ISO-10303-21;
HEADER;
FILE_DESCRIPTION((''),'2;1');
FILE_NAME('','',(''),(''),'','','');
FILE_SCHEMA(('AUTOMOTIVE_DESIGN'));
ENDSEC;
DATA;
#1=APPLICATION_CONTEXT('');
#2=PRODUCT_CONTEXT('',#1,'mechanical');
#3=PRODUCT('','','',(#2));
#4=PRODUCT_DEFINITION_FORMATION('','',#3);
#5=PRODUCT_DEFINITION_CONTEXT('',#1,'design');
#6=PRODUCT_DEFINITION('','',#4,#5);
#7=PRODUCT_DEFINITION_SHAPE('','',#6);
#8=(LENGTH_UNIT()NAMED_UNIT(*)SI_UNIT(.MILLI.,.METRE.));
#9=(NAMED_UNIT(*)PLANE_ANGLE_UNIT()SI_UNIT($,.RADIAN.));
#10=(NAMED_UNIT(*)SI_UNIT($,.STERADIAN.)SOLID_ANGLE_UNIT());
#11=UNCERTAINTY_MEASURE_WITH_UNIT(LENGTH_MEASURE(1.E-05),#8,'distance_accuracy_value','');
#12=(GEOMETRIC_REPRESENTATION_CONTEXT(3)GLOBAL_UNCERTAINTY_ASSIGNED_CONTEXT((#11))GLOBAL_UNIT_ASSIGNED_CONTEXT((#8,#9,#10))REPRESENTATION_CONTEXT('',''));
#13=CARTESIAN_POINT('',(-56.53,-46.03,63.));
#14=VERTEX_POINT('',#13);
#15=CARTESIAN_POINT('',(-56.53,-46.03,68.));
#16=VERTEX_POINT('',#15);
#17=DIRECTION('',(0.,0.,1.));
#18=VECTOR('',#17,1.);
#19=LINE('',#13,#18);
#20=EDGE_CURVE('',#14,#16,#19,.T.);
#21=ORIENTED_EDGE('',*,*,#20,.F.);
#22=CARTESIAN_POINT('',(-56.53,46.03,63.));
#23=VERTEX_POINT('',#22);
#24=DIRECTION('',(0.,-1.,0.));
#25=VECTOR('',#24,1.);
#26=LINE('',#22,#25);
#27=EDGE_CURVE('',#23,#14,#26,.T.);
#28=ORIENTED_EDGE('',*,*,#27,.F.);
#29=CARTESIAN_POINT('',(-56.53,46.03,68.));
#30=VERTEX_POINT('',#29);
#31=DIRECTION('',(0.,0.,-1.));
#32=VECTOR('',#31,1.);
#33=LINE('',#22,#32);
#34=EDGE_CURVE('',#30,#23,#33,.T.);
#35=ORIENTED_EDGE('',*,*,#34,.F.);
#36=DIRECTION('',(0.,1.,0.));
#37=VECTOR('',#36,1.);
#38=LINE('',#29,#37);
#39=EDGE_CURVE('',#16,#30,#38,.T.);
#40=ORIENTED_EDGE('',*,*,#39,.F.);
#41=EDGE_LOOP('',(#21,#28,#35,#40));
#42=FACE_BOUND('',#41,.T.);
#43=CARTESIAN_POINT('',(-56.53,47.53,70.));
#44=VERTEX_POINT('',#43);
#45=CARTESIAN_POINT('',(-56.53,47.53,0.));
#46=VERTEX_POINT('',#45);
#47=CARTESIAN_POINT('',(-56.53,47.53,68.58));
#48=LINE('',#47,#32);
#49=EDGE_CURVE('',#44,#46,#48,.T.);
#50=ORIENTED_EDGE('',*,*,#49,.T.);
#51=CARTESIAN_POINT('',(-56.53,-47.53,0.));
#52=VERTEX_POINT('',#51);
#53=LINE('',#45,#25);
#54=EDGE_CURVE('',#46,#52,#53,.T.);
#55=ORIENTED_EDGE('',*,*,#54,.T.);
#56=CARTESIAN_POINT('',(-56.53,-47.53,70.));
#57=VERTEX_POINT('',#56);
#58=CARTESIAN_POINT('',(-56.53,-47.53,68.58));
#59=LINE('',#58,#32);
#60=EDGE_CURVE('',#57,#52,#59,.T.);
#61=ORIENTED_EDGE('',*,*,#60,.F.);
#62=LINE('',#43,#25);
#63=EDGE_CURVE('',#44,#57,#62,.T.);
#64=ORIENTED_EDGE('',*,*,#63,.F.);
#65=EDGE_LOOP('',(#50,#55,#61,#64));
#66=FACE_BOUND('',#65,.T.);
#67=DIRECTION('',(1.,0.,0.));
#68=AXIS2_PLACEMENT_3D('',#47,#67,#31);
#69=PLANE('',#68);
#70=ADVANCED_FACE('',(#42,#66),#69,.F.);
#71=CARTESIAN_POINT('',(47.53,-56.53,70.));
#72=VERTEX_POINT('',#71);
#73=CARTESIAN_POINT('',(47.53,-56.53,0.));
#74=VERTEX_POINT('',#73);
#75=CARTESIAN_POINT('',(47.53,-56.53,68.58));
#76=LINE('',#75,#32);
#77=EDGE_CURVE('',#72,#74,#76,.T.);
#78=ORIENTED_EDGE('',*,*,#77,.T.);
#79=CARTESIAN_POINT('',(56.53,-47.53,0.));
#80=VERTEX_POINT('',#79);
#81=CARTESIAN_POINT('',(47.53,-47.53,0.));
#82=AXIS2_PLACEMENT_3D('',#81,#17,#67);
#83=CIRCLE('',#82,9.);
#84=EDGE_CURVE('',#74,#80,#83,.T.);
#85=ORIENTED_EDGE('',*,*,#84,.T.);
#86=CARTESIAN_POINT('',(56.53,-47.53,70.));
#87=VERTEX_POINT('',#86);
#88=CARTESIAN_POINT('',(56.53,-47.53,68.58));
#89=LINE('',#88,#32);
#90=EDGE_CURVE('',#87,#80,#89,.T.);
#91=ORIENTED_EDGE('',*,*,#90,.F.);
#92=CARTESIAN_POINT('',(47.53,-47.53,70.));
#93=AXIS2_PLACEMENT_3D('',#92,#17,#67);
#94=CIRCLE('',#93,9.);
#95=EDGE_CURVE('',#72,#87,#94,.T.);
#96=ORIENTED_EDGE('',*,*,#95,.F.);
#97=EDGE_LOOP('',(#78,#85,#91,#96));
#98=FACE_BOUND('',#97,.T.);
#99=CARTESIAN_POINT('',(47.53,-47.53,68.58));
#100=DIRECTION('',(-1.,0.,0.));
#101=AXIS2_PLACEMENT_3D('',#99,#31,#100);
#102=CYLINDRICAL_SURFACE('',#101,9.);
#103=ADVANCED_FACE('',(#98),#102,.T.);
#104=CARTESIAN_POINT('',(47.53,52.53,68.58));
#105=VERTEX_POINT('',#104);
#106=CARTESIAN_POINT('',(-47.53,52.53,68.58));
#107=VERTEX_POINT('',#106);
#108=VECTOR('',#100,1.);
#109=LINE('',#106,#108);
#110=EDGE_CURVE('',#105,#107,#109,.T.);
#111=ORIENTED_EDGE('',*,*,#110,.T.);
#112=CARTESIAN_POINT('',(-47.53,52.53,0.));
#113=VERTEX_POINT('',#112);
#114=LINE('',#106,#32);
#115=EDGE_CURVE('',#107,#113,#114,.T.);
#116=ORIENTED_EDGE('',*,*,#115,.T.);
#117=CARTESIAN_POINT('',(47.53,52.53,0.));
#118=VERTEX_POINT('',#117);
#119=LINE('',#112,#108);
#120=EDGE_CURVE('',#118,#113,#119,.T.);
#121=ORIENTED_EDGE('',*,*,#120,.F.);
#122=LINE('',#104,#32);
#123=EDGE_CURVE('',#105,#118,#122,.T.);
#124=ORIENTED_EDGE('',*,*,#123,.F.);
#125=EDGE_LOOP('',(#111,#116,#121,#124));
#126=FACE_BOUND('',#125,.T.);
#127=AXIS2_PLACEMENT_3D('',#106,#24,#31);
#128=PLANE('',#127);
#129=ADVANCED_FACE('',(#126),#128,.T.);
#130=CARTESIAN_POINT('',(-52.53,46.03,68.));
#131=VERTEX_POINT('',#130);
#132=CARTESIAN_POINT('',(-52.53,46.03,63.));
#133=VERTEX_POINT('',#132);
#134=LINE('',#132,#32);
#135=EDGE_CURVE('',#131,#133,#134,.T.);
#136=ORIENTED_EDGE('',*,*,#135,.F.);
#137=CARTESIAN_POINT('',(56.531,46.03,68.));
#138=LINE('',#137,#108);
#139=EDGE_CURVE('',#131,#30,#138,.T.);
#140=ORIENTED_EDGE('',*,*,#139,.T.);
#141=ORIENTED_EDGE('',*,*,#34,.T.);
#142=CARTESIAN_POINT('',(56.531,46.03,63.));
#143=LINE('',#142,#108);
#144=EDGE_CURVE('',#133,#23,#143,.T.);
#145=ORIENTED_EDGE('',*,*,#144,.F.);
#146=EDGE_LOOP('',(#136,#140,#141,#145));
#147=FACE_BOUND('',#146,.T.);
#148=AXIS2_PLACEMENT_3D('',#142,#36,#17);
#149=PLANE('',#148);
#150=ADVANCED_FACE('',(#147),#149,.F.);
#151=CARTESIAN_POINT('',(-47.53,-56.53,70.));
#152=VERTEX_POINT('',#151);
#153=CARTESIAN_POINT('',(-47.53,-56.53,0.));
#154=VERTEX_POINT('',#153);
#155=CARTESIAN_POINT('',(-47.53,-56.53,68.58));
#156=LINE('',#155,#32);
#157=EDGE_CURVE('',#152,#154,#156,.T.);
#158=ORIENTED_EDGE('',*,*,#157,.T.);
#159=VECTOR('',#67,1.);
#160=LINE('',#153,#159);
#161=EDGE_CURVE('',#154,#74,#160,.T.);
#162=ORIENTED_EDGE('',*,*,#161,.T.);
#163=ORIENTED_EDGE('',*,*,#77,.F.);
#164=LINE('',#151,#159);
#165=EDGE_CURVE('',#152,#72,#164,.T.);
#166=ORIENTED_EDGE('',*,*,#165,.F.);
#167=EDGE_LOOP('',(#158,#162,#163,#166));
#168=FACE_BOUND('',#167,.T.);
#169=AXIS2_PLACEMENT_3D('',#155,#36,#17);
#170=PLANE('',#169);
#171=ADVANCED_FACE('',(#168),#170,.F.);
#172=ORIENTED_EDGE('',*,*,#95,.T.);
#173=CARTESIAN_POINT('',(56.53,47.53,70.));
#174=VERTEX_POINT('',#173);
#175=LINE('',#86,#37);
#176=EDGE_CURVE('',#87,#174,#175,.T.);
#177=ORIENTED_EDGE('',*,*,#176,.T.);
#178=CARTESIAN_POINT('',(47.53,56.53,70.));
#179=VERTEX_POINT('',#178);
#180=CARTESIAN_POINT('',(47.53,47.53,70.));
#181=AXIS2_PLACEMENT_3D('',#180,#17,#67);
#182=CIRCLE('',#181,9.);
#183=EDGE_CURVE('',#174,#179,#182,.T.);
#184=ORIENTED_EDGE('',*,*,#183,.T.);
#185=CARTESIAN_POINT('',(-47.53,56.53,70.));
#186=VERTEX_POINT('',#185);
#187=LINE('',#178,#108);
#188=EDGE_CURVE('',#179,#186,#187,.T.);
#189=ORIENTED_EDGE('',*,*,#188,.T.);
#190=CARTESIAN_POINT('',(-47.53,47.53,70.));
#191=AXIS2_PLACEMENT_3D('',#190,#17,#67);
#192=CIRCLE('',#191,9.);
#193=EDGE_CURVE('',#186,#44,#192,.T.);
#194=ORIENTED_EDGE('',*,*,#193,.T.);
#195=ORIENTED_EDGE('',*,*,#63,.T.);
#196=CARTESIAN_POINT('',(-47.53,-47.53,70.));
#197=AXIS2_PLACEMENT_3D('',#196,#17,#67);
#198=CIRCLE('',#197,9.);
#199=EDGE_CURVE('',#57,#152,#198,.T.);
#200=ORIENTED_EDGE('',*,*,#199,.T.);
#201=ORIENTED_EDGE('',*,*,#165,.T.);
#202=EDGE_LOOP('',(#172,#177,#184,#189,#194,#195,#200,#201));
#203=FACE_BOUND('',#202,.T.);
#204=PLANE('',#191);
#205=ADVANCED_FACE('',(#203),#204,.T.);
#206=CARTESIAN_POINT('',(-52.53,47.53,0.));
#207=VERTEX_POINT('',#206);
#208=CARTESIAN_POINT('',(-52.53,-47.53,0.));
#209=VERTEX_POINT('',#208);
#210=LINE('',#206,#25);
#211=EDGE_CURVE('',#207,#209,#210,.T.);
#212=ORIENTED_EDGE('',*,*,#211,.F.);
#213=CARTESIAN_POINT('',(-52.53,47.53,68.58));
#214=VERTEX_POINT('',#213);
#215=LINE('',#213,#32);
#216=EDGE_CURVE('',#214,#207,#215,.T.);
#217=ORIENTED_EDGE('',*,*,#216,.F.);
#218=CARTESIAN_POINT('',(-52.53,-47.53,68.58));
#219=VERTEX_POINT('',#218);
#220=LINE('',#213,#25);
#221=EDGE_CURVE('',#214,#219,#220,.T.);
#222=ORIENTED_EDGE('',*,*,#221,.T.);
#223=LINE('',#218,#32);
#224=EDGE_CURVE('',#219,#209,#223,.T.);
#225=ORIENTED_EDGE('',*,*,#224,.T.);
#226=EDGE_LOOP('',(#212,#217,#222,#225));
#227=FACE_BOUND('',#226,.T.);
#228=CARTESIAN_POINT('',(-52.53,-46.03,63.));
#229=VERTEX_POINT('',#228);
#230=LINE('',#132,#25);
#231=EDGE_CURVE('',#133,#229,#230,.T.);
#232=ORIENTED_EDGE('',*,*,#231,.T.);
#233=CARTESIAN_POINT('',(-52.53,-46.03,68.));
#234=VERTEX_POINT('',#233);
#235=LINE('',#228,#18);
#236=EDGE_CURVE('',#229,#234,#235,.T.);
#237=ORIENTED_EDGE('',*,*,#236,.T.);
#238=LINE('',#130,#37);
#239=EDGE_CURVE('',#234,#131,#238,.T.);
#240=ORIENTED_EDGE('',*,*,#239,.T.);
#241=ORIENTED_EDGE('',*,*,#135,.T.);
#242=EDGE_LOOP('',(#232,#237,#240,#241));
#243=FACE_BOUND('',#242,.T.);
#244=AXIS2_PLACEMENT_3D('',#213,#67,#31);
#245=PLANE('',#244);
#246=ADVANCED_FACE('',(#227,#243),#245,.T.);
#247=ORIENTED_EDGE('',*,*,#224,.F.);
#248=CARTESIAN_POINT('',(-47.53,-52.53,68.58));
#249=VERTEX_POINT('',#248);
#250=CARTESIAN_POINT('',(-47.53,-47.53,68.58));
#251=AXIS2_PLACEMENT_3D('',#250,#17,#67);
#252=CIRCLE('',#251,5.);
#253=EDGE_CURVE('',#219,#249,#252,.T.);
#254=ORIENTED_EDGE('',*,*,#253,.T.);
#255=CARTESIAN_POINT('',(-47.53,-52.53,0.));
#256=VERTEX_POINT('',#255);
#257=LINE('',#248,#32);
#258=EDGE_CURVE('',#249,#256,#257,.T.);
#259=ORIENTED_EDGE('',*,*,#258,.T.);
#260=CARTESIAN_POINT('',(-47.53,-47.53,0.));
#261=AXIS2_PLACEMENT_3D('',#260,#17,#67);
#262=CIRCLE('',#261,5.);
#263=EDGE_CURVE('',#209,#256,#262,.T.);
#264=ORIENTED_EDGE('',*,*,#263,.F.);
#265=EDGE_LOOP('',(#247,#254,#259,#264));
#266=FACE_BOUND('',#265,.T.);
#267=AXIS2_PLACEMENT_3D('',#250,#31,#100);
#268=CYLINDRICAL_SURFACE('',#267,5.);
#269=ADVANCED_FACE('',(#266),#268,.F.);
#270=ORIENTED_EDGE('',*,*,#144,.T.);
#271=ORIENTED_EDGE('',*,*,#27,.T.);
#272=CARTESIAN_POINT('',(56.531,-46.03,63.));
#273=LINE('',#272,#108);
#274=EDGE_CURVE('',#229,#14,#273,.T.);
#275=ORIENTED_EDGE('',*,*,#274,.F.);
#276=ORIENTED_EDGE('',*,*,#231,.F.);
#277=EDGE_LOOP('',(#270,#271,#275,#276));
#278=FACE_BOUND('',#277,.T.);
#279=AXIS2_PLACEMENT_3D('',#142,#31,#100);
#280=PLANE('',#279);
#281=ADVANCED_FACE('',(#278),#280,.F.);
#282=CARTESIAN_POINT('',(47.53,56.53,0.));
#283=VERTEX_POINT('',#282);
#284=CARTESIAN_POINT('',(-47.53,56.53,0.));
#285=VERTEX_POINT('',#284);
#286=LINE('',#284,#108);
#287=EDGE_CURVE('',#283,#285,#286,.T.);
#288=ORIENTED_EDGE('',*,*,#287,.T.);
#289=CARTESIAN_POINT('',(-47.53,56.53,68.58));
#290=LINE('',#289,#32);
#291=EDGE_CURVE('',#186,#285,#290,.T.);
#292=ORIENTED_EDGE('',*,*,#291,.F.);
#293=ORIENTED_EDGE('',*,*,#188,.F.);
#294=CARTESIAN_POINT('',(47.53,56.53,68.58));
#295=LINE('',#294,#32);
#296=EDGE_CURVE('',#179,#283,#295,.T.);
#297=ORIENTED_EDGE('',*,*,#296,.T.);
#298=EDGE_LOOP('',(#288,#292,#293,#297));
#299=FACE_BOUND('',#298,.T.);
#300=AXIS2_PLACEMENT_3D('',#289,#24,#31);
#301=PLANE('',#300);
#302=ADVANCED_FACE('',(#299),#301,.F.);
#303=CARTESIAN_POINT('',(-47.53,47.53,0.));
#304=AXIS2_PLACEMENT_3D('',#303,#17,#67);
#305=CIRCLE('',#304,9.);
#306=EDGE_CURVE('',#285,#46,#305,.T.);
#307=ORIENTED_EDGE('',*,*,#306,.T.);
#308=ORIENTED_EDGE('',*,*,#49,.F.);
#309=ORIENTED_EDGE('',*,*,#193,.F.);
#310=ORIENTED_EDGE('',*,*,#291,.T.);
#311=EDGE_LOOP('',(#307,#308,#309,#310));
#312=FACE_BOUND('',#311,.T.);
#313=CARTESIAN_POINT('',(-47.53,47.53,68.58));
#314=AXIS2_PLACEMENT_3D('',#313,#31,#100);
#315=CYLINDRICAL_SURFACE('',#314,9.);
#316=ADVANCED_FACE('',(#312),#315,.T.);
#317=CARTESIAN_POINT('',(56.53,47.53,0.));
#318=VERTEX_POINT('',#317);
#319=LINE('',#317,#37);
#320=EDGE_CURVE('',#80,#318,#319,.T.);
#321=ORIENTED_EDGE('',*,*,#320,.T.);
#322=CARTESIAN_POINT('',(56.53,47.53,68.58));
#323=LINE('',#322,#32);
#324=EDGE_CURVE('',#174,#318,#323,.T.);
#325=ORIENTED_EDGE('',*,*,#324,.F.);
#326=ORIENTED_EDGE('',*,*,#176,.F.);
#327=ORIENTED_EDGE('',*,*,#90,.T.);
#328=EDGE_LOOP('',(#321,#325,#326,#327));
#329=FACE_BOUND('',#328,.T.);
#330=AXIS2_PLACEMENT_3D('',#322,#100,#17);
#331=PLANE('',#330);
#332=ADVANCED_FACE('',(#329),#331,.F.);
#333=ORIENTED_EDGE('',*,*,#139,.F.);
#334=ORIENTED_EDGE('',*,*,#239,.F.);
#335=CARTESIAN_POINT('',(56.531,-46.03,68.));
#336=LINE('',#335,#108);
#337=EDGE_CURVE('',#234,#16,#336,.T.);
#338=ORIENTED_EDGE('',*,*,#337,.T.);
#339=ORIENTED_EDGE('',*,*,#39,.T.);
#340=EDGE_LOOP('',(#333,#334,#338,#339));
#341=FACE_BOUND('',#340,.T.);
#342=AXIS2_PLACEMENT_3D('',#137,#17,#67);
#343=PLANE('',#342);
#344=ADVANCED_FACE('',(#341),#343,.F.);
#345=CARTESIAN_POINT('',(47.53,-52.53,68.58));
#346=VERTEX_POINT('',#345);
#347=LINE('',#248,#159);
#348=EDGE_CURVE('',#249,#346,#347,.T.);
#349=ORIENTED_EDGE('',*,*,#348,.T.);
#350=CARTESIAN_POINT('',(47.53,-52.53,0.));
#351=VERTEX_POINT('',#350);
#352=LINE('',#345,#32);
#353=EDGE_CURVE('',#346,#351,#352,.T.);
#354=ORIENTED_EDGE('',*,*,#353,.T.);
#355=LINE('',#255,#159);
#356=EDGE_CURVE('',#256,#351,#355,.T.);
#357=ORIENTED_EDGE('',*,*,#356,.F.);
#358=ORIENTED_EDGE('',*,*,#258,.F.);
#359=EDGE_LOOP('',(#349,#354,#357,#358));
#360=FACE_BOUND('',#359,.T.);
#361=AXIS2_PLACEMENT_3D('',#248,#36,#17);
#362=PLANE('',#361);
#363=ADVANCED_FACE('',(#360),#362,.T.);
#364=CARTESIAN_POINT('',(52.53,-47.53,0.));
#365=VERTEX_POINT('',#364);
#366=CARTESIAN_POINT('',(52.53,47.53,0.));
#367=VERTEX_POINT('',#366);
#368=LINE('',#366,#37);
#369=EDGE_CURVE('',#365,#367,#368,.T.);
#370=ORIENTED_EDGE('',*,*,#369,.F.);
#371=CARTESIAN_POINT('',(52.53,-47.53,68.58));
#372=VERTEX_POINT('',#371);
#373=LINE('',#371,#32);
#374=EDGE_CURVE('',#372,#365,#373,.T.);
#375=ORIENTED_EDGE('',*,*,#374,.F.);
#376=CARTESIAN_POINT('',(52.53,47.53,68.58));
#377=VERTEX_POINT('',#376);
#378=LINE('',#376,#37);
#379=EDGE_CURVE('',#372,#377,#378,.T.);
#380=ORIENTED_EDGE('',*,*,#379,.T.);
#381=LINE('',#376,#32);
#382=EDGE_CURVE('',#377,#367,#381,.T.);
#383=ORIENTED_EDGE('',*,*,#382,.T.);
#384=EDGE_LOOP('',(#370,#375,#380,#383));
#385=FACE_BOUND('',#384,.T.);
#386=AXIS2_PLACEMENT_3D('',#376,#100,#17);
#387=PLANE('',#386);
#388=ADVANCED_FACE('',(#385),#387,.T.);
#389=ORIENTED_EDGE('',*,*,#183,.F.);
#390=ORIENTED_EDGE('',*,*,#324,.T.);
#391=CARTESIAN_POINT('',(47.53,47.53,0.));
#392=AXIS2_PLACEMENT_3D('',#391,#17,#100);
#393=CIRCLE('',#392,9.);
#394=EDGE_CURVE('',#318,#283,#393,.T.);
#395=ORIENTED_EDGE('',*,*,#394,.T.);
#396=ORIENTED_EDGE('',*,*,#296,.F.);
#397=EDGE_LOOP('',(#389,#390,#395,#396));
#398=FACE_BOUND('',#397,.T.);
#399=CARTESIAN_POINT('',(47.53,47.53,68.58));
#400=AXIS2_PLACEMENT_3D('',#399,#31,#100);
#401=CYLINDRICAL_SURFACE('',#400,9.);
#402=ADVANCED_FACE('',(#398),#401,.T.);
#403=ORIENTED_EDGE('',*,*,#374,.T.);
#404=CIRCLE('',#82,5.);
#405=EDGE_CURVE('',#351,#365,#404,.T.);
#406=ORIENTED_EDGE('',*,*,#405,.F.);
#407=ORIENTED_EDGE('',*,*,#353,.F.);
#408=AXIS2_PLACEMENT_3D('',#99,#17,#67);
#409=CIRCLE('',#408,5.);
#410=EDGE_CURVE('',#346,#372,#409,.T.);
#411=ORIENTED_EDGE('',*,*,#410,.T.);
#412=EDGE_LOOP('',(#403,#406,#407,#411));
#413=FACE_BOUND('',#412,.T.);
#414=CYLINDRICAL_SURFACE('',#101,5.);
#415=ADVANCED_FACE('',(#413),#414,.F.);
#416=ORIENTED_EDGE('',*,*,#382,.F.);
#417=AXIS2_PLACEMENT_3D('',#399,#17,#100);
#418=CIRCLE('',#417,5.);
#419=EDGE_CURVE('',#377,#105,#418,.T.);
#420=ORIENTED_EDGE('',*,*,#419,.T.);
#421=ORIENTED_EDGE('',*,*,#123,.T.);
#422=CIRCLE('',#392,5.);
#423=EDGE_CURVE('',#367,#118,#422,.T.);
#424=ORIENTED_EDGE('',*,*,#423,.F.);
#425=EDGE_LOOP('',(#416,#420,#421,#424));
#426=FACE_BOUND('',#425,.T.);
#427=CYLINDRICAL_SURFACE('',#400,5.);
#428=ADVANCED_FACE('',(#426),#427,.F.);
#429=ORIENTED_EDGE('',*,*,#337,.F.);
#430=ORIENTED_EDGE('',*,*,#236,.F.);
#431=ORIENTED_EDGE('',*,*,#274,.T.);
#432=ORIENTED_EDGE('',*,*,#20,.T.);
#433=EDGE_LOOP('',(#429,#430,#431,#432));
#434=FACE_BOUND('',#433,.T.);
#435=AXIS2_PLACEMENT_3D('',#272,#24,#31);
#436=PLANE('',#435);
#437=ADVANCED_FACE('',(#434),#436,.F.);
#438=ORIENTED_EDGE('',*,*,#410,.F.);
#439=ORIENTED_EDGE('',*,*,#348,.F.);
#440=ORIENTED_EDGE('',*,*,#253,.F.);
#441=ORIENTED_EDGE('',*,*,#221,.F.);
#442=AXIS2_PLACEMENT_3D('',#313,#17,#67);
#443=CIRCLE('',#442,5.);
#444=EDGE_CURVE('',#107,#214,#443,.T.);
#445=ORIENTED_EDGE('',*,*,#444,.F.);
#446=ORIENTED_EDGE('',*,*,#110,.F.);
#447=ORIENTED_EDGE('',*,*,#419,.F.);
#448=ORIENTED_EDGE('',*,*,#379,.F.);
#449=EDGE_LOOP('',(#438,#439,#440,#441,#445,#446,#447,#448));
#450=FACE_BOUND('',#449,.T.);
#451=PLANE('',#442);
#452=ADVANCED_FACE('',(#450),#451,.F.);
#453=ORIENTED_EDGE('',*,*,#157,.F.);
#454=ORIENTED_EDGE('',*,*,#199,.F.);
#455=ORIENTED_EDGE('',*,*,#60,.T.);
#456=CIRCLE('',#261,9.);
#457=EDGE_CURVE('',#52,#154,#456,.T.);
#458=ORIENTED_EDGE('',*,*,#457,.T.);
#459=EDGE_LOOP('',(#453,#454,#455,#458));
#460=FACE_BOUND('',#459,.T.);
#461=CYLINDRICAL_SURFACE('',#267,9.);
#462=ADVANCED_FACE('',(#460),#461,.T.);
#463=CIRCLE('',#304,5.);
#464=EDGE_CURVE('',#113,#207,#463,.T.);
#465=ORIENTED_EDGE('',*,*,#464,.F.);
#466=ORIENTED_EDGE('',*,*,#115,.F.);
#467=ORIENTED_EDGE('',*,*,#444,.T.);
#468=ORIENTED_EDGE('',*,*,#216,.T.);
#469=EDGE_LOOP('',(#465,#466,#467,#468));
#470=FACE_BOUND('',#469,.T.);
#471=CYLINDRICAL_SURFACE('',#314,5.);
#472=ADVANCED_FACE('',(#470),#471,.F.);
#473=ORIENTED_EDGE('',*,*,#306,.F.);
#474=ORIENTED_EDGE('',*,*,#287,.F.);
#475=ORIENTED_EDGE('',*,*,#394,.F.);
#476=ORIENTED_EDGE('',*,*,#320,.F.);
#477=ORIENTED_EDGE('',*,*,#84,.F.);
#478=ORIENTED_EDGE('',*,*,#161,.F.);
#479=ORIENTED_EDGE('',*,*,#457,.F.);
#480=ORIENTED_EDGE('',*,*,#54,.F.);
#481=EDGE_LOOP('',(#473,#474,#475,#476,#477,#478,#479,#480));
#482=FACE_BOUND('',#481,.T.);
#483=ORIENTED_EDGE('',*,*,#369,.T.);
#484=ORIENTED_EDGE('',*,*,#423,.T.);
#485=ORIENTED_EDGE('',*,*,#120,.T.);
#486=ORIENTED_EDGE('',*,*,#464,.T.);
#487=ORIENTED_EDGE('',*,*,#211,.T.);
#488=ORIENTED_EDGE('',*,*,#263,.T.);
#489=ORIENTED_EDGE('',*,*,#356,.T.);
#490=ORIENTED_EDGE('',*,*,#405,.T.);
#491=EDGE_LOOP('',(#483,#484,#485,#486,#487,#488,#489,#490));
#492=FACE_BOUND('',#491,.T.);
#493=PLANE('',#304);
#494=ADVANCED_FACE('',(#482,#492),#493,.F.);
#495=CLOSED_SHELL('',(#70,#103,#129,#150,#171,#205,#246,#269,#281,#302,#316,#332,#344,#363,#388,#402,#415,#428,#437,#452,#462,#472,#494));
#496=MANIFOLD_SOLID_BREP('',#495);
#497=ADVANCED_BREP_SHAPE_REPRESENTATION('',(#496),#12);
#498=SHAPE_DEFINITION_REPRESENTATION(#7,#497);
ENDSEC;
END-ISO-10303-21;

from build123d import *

# Parameters (mm, degrees)
SHELL_WALLS_DEPTH             = 68.58
SHELL_TOP_DEPTH               = 1.42
REAR_COOLING_FAN_CUTOUT_REACH = 146.493
REAR_COOLING_FAN_SKETCH_W     = 5
REAR_COOLING_FAN_SKETCH_H     = 92.06


with BuildPart() as part:
    # Shell → Shell Walls (new body)
    with BuildSketch(Plane.XY):
        with BuildLine():
            Line((-47.53, 56.53), (47.53, 56.53))
            ThreePointArc((47.53, 56.53), (53.893961031, 53.893961031), (56.53, 47.53))
            Line((56.53, 47.53), (56.53, -47.53))
            ThreePointArc((56.53, -47.53), (53.893961031, -53.893961031), (47.53, -56.53))
            Line((47.53, -56.53), (-47.53, -56.53))
            ThreePointArc((-47.53, -56.53), (-53.893961031, -53.893961031), (-56.53, -47.53))
            Line((-56.53, -47.53), (-56.53, 47.53))
            ThreePointArc((-56.53, 47.53), (-53.893961031, 53.893961031), (-47.53, 56.53))
        make_face()
        with BuildLine():
            Line((-47.53, 52.53), (47.53, 52.53))
            ThreePointArc((47.53, 52.53), (51.065533906, 51.065533906), (52.53, 47.53))
            Line((52.53, 47.53), (52.53, -47.53))
            ThreePointArc((52.53, -47.53), (51.065533906, -51.065533906), (47.53, -52.53))
            Line((47.53, -52.53), (-47.53, -52.53))
            ThreePointArc((-47.53, -52.53), (-51.065533906, -51.065533906), (-52.53, -47.53))
            Line((-52.53, -47.53), (-52.53, 47.53))
            ThreePointArc((-52.53, 47.53), (-51.065533906, 51.065533906), (-47.53, 52.53))
        make_face(mode=Mode.SUBTRACT)
    extrude(amount=SHELL_WALLS_DEPTH)

    # Sketch3 → Shell Top (add)
    with BuildSketch(Plane.XY.offset(68.58)):
        with BuildLine():
            Line((-56.53, 47.53), (-56.53, -47.53))
            ThreePointArc((-56.53, -47.53), (-53.893961031, -53.893961031), (-47.53, -56.53))
            Line((-47.53, -56.53), (47.53, -56.53))
            ThreePointArc((47.53, -56.53), (53.893961031, -53.893961031), (56.53, -47.53))
            Line((56.53, -47.53), (56.53, 47.53))
            ThreePointArc((56.53, 47.53), (53.893961031, 53.893961031), (47.53, 56.53))
            Line((47.53, 56.53), (-47.53, 56.53))
            ThreePointArc((-47.53, 56.53), (-53.893961031, 53.893961031), (-56.53, 47.53))
        make_face()
    extrude(amount=SHELL_TOP_DEPTH)

    # Rear-Cooling Fan Sketch → Rear-Cooling Fan Cutout (cut, up to next)
    with BuildSketch(Plane.ZY.offset(56.53), mode=Mode.PRIVATE) as rear_cooling_fan_cutout_sk1:
        with Locations((65.5, 0)):
            Rectangle(REAR_COOLING_FAN_SKETCH_W, REAR_COOLING_FAN_SKETCH_H)
    rear_cooling_fan_cutout_tool1 = extrude(rear_cooling_fan_cutout_sk1.sketch, amount=-REAR_COOLING_FAN_CUTOUT_REACH, mode=Mode.PRIVATE) & part.part
    add(rear_cooling_fan_cutout_tool1.solids().sort_by_distance((-56.53, 0, 65.5))[0], mode=Mode.SUBTRACT)


solid = part.part
